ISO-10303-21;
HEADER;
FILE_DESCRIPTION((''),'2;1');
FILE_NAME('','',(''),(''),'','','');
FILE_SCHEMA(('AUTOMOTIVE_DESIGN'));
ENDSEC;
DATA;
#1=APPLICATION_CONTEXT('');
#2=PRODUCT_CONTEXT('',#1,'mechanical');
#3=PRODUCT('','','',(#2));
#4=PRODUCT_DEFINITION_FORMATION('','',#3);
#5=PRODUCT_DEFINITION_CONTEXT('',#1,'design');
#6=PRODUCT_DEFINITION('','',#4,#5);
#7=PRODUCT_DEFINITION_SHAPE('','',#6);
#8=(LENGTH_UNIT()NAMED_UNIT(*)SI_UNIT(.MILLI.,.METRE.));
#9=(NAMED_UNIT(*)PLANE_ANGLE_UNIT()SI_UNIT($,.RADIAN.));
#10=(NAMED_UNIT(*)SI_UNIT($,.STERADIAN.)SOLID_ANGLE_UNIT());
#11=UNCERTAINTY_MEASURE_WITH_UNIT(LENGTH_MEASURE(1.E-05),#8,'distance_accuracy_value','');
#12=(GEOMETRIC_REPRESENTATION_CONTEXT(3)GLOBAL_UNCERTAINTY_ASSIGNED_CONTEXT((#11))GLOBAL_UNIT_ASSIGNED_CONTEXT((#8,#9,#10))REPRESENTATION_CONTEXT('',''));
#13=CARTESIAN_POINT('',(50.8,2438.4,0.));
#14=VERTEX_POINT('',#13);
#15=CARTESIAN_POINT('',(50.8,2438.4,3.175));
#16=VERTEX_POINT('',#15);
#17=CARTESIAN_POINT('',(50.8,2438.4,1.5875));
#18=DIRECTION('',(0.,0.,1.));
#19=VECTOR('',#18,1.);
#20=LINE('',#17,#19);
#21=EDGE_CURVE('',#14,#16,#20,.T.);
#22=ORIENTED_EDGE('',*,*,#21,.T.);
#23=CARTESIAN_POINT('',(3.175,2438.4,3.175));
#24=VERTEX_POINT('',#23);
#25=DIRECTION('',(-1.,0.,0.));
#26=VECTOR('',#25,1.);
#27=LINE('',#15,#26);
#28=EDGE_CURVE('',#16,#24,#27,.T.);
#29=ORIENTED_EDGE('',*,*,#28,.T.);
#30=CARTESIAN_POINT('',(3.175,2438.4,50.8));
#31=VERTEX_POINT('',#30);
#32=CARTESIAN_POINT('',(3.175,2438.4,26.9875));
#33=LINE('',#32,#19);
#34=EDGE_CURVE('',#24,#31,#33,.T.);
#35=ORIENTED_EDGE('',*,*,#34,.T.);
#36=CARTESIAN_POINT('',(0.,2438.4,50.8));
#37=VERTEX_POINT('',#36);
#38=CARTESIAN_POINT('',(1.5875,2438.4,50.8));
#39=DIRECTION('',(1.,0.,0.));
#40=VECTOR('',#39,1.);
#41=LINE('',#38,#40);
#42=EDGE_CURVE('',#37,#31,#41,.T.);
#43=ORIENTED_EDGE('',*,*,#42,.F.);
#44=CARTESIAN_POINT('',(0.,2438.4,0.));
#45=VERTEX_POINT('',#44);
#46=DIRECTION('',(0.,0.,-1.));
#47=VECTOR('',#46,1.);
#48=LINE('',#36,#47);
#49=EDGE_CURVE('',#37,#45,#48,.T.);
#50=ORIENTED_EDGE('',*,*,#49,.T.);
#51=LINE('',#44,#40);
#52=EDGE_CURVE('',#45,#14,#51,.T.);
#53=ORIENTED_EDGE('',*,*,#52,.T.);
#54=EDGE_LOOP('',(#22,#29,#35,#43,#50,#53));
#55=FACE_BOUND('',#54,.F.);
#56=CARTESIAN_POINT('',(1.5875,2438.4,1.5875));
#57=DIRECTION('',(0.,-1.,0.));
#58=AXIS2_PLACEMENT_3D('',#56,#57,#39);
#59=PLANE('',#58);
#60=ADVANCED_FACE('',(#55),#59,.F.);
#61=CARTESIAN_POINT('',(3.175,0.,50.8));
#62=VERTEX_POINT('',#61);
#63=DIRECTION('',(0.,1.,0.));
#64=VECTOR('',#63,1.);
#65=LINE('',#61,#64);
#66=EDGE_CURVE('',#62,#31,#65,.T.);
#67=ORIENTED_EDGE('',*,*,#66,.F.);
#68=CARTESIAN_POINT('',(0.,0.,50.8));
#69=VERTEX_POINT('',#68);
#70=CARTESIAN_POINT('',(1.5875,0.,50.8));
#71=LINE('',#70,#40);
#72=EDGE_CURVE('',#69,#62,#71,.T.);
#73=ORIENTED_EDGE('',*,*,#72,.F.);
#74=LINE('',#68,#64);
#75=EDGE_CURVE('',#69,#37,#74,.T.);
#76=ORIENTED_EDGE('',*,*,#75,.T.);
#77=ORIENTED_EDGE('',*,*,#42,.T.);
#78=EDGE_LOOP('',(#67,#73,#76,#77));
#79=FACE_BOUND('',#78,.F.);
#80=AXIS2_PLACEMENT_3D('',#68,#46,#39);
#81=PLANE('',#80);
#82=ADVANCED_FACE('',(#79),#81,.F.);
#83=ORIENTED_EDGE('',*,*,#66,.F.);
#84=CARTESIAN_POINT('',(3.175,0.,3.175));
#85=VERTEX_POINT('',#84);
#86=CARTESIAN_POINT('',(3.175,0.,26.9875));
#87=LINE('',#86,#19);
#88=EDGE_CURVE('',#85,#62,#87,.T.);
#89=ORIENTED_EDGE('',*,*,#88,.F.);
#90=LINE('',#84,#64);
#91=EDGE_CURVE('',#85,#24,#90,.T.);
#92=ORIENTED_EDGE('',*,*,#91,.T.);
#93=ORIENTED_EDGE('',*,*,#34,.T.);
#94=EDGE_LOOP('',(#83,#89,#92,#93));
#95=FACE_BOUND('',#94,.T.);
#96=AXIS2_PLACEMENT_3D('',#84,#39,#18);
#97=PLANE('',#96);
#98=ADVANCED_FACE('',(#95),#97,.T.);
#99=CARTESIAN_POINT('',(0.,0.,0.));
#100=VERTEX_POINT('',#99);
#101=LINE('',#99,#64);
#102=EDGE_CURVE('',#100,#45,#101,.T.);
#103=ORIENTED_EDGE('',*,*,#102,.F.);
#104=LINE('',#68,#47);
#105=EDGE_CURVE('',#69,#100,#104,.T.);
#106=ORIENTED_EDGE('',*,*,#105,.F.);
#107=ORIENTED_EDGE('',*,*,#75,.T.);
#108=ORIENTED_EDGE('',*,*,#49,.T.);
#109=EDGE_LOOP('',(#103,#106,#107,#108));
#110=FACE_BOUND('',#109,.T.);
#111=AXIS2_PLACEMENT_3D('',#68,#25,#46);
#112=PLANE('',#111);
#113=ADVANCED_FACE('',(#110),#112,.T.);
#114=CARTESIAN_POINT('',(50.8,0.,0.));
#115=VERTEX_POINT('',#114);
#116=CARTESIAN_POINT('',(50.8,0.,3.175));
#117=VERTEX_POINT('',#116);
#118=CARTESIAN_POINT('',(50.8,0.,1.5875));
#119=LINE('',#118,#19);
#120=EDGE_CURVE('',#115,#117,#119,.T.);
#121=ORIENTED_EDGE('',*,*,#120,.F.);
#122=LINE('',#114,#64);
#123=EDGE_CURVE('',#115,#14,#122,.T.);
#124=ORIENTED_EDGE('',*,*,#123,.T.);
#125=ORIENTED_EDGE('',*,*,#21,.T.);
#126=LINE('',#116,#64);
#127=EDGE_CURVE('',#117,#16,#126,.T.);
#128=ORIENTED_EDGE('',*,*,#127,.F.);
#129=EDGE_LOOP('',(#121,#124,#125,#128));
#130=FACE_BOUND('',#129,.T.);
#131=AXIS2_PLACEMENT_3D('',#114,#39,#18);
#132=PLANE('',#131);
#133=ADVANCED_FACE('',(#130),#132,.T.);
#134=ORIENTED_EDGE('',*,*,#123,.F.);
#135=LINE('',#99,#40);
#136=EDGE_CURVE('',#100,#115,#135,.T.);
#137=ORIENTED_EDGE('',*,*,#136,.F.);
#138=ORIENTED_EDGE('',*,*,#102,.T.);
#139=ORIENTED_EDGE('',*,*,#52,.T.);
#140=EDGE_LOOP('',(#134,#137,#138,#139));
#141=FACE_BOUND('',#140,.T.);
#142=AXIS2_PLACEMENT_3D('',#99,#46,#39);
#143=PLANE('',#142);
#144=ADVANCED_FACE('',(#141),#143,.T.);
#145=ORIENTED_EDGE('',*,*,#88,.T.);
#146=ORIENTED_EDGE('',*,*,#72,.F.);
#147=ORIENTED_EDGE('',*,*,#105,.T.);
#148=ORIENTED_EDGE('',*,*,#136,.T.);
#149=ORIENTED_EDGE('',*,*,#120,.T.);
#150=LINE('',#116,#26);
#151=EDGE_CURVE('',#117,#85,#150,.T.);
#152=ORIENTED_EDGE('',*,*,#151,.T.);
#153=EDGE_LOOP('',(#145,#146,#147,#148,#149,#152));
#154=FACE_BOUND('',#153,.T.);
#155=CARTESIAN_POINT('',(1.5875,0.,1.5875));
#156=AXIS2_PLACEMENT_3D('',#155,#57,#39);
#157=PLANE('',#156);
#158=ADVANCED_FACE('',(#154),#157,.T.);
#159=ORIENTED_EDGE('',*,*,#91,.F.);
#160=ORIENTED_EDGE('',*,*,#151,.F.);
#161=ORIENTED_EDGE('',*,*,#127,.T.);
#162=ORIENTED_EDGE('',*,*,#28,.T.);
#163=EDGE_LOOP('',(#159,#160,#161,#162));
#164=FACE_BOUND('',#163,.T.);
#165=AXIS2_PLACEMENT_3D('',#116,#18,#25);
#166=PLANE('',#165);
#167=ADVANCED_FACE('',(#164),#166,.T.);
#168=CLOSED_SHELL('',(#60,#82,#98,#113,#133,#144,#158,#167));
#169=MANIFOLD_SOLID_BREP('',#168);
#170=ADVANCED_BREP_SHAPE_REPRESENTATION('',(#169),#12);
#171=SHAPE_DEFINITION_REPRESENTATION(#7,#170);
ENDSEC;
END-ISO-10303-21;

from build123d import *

# Parameters (mm, degrees)
F0_W     = 3.175
F0_H     = 3.175
F0_W_2   = 47.625
F0_H_2   = 47.625
F1_DEPTH = 2438.4


with BuildPart() as f1:
    # F0 (on Front) → F1 (new body)
    with BuildSketch(Plane.XZ):
        with Locations((1.5875, 1.5875)):
            Rectangle(F0_W, F0_H)
        with Locations((26.9875, 1.5875)):
            Rectangle(F0_W_2, F0_H)
        with Locations((1.5875, 26.9875)):
            Rectangle(F0_W, F0_H_2)
    extrude(amount=-F1_DEPTH)


solid = f1.part
